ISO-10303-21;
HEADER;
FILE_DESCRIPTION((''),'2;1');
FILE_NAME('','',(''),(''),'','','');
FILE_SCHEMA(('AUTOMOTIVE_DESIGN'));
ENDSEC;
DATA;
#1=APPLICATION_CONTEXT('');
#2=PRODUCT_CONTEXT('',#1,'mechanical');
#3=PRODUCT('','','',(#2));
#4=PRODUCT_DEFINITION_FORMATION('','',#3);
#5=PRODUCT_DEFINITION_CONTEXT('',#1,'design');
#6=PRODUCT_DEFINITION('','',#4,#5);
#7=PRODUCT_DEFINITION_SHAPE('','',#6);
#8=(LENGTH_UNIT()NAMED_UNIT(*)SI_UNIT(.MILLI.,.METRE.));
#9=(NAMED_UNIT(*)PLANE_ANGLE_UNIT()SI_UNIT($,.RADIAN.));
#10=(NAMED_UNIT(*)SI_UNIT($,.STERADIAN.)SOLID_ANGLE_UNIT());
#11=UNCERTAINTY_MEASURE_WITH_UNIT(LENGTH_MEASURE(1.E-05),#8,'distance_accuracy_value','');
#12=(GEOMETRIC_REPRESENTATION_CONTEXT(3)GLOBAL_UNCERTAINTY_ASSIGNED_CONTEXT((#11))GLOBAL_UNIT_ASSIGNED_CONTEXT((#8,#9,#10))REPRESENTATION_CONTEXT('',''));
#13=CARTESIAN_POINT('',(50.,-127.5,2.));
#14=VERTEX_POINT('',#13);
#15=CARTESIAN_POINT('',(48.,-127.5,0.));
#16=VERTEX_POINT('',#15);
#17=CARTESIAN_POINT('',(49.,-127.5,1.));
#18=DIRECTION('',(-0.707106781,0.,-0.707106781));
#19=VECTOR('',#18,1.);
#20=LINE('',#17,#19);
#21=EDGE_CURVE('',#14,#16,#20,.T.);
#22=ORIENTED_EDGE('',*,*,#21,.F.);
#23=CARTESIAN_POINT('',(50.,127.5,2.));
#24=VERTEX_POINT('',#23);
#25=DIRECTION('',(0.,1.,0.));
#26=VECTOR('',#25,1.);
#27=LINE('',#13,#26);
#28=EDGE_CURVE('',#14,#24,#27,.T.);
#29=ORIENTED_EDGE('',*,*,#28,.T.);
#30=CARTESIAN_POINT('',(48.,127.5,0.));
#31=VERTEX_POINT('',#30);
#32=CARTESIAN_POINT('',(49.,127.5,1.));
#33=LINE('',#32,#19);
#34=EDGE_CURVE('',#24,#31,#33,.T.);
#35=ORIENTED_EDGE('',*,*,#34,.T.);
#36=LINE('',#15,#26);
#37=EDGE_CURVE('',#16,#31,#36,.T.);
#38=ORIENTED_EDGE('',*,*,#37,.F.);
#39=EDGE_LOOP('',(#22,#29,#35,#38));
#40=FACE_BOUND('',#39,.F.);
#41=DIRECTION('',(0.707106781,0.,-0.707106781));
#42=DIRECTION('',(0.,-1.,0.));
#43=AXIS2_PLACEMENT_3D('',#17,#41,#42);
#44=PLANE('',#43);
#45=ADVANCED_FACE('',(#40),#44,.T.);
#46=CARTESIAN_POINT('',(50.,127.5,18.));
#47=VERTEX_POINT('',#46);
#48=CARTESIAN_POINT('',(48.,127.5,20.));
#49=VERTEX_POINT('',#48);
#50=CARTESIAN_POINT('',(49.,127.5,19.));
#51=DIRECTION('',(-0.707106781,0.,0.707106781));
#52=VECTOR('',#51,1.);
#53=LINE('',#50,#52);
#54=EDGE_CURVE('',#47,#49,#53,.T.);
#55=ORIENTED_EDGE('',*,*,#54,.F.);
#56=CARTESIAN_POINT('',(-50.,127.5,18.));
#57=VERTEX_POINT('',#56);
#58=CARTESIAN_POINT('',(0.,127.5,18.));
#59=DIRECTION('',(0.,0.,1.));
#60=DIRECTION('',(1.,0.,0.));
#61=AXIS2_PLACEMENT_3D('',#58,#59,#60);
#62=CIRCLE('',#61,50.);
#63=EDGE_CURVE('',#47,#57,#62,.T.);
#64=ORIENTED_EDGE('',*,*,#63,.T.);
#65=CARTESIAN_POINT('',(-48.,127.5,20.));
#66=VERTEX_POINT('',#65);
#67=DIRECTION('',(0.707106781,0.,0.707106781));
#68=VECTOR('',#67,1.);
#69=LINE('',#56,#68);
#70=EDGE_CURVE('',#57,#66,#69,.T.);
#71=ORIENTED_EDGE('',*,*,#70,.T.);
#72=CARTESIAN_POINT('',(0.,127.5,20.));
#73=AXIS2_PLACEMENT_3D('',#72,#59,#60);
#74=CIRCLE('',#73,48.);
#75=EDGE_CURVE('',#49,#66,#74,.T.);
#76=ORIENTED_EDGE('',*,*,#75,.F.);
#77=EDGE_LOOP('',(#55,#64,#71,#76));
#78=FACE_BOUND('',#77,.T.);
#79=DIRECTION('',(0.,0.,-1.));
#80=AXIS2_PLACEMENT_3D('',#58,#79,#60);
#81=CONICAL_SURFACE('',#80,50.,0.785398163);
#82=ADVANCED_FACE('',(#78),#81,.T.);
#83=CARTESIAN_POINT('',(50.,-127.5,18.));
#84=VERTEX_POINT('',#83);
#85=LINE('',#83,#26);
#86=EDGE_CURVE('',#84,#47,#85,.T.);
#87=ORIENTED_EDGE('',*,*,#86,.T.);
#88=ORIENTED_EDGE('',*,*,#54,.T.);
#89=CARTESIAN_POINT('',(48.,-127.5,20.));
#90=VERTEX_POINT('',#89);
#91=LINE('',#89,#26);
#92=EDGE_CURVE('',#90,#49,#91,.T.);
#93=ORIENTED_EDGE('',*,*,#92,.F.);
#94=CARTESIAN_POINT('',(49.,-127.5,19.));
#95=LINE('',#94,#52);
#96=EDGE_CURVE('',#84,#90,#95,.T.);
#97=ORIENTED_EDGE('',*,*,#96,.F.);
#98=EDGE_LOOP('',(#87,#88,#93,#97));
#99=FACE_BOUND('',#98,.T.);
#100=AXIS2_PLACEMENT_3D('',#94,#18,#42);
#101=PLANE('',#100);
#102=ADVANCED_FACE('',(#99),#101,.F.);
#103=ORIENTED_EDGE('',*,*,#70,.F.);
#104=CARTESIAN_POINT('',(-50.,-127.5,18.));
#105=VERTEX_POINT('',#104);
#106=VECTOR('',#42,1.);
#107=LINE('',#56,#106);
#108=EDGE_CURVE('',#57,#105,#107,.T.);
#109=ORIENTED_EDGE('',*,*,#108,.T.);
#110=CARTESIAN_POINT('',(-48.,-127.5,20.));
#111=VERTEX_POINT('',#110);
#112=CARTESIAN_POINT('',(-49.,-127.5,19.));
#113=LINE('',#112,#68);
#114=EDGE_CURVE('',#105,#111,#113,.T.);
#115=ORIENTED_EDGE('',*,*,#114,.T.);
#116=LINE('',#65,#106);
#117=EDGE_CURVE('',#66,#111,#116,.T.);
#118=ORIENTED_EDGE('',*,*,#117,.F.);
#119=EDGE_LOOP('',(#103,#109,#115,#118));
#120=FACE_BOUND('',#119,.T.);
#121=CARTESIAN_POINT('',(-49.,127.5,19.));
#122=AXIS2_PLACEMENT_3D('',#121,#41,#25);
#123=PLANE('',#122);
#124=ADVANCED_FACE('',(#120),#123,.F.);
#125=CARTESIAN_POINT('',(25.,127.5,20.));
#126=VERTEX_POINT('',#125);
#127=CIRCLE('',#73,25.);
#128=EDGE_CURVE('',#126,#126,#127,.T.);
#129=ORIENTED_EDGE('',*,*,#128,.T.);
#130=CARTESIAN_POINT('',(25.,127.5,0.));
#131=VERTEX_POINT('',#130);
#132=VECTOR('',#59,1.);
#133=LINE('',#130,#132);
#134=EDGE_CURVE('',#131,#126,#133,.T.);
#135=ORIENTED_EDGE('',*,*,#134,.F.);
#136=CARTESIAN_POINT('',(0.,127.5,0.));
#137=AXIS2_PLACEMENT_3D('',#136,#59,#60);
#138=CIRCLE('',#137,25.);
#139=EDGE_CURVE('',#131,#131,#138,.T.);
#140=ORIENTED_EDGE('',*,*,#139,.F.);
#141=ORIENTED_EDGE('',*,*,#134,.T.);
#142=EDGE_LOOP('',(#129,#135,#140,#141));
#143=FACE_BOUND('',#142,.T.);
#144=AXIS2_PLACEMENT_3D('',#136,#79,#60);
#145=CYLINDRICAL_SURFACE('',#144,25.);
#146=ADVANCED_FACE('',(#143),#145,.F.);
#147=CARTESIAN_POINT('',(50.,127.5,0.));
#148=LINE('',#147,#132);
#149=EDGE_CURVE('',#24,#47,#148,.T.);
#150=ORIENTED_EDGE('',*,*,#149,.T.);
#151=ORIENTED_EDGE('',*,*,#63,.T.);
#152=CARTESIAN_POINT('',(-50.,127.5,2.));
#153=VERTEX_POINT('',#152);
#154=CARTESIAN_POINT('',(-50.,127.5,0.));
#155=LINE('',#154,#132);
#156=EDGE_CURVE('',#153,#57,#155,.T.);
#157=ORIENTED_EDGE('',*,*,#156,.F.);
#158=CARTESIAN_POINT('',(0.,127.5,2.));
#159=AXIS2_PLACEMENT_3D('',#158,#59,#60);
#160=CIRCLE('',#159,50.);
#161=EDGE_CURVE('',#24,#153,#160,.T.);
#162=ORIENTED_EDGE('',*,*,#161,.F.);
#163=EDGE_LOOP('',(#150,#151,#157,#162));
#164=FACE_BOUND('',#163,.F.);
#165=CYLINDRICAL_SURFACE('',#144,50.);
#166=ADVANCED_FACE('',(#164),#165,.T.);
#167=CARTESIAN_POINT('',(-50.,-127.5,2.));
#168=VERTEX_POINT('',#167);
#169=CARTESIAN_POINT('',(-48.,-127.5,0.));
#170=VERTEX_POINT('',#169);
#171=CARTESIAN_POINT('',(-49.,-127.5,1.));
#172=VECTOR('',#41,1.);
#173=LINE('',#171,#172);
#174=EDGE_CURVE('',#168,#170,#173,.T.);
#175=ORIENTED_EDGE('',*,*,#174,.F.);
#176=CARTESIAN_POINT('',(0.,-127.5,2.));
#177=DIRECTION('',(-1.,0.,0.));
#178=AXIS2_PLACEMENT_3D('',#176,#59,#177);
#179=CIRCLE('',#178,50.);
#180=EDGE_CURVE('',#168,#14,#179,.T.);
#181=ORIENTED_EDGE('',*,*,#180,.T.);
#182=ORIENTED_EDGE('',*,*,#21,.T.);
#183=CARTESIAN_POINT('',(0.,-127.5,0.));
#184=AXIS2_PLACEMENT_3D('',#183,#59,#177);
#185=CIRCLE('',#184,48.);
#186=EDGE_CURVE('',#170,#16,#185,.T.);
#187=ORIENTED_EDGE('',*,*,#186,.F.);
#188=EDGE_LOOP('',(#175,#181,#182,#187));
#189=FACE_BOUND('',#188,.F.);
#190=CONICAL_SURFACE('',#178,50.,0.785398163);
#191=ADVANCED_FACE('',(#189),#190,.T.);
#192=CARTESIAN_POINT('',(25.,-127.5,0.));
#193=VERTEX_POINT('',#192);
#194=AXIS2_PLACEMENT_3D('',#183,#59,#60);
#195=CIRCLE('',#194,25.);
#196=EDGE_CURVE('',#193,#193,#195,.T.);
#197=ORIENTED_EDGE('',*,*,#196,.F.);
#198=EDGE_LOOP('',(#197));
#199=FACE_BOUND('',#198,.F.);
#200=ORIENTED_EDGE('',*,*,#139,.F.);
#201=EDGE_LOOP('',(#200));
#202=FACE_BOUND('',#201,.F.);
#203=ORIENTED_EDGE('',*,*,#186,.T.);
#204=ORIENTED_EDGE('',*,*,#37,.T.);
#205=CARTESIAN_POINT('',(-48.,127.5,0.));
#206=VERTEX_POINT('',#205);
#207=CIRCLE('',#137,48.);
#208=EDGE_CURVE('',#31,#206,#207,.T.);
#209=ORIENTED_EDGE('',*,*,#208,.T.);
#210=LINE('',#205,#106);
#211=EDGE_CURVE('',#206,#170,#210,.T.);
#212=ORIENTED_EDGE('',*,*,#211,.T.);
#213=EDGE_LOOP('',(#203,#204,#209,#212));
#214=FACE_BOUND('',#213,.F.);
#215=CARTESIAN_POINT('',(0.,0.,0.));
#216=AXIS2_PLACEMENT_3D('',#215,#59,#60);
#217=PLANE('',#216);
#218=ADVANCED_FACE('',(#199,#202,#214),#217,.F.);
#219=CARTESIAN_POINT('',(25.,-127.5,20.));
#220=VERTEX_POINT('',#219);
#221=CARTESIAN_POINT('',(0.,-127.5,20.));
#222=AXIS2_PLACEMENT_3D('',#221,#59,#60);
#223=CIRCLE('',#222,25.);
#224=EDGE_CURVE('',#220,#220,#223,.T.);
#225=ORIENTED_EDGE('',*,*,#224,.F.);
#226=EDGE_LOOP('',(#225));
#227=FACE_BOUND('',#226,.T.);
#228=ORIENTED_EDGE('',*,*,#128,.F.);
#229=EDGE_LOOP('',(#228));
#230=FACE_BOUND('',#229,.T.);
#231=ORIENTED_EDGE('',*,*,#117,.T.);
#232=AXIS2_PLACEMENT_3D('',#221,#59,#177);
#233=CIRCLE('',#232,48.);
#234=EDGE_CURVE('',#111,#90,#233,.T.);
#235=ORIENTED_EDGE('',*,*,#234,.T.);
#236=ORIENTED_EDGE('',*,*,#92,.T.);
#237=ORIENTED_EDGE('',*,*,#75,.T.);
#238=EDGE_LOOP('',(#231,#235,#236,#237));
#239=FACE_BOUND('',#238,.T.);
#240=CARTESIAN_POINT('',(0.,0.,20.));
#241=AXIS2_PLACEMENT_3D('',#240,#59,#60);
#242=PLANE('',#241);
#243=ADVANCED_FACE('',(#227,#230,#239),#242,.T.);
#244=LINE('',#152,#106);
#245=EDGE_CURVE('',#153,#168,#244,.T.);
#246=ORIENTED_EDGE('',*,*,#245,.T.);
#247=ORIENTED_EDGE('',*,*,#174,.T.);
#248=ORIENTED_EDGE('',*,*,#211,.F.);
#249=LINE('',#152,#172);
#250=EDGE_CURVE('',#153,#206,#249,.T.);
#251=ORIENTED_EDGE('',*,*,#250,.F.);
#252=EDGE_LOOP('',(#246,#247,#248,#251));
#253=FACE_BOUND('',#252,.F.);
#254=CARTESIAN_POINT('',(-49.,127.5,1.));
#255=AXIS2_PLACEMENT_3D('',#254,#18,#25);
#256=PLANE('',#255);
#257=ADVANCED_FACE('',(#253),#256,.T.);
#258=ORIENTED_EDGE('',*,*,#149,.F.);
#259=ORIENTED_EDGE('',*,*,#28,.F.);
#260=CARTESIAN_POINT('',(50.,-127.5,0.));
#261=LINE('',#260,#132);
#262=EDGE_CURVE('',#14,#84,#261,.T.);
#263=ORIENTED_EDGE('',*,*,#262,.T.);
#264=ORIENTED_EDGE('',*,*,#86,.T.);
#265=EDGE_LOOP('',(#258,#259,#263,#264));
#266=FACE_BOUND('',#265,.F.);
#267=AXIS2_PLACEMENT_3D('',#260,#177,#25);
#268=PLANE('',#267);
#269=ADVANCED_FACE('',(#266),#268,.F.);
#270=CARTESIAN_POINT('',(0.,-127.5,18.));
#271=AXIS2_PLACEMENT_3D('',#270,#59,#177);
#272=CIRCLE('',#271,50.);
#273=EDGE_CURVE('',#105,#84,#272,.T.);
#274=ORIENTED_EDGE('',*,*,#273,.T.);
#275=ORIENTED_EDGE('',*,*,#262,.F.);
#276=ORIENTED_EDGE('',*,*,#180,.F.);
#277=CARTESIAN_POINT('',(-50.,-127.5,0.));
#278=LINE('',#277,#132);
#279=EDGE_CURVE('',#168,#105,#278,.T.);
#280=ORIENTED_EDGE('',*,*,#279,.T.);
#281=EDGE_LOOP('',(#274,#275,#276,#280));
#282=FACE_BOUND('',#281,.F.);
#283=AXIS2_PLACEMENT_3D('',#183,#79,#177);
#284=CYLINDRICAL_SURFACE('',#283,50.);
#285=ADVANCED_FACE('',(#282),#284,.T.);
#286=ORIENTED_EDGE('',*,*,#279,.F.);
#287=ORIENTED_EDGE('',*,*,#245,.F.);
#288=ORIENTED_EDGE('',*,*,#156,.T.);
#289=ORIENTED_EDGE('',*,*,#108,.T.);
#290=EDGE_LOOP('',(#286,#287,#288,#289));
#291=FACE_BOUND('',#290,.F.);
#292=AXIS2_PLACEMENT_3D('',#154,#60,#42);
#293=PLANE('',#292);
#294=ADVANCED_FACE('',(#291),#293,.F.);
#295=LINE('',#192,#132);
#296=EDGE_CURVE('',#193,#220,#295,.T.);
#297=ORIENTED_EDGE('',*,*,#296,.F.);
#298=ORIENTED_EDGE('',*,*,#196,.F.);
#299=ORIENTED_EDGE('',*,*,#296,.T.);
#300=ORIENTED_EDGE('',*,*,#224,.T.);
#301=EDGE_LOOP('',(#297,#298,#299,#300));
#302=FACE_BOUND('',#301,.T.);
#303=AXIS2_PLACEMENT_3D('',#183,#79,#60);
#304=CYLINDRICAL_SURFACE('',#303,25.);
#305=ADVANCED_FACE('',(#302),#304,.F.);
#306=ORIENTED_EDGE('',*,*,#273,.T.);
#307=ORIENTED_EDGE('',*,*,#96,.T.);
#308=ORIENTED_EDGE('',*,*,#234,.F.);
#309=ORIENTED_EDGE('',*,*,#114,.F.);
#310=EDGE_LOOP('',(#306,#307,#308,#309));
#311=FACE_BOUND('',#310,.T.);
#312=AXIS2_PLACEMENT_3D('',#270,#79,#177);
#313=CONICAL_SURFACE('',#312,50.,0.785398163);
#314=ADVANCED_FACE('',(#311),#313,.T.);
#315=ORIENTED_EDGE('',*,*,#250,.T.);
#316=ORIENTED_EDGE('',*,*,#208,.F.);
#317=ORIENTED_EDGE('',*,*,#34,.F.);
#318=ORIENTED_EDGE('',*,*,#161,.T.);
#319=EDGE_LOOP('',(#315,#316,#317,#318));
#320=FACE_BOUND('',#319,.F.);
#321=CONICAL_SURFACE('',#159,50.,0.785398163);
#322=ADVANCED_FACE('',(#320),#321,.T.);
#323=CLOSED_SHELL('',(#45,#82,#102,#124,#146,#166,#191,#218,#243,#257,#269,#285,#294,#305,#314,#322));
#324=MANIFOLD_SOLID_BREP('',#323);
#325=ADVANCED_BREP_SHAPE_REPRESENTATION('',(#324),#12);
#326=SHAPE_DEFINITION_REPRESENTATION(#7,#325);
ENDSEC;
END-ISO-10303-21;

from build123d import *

# Parameters (mm, degrees)
F0_R     = 25
F1_DEPTH = 20
F2_SIZE2 = 2
F2_SIZE  = 2


with BuildPart() as f1:
    # F0 (on Top) → F1 (new body)
    with BuildSketch(Plane.XY):
        with BuildLine():
            Line((50, -127.5), (50, 127.5))
            ThreePointArc((50, 127.5), (0, 177.5), (-50, 127.5))
            Line((-50, 127.5), (-50, -127.5))
            ThreePointArc((-50, -127.5), (0, -177.5), (50, -127.5))
        make_face()
        with Locations((0, -127.5)):
            Circle(F0_R, mode=Mode.SUBTRACT)
        with Locations((0, 127.5)):
            Circle(F0_R, mode=Mode.SUBTRACT)
    extrude(amount=F1_DEPTH)

    # F2
    f2_edges = [f1.edges().sort_by_distance(p)[0] for p in [
        (50, 0, 20),
        (0, -177.5, 20),
        (-50, 0, 20),
        (0, 177.5, 20),
        (50, 0, 0),
        (0, -177.5, 0),
        (0, 177.5, 0),
        (-50, 0, 0),
    ]]
    chamfer(f2_edges, length=F2_SIZE, length2=F2_SIZE2)


solid = f1.part
